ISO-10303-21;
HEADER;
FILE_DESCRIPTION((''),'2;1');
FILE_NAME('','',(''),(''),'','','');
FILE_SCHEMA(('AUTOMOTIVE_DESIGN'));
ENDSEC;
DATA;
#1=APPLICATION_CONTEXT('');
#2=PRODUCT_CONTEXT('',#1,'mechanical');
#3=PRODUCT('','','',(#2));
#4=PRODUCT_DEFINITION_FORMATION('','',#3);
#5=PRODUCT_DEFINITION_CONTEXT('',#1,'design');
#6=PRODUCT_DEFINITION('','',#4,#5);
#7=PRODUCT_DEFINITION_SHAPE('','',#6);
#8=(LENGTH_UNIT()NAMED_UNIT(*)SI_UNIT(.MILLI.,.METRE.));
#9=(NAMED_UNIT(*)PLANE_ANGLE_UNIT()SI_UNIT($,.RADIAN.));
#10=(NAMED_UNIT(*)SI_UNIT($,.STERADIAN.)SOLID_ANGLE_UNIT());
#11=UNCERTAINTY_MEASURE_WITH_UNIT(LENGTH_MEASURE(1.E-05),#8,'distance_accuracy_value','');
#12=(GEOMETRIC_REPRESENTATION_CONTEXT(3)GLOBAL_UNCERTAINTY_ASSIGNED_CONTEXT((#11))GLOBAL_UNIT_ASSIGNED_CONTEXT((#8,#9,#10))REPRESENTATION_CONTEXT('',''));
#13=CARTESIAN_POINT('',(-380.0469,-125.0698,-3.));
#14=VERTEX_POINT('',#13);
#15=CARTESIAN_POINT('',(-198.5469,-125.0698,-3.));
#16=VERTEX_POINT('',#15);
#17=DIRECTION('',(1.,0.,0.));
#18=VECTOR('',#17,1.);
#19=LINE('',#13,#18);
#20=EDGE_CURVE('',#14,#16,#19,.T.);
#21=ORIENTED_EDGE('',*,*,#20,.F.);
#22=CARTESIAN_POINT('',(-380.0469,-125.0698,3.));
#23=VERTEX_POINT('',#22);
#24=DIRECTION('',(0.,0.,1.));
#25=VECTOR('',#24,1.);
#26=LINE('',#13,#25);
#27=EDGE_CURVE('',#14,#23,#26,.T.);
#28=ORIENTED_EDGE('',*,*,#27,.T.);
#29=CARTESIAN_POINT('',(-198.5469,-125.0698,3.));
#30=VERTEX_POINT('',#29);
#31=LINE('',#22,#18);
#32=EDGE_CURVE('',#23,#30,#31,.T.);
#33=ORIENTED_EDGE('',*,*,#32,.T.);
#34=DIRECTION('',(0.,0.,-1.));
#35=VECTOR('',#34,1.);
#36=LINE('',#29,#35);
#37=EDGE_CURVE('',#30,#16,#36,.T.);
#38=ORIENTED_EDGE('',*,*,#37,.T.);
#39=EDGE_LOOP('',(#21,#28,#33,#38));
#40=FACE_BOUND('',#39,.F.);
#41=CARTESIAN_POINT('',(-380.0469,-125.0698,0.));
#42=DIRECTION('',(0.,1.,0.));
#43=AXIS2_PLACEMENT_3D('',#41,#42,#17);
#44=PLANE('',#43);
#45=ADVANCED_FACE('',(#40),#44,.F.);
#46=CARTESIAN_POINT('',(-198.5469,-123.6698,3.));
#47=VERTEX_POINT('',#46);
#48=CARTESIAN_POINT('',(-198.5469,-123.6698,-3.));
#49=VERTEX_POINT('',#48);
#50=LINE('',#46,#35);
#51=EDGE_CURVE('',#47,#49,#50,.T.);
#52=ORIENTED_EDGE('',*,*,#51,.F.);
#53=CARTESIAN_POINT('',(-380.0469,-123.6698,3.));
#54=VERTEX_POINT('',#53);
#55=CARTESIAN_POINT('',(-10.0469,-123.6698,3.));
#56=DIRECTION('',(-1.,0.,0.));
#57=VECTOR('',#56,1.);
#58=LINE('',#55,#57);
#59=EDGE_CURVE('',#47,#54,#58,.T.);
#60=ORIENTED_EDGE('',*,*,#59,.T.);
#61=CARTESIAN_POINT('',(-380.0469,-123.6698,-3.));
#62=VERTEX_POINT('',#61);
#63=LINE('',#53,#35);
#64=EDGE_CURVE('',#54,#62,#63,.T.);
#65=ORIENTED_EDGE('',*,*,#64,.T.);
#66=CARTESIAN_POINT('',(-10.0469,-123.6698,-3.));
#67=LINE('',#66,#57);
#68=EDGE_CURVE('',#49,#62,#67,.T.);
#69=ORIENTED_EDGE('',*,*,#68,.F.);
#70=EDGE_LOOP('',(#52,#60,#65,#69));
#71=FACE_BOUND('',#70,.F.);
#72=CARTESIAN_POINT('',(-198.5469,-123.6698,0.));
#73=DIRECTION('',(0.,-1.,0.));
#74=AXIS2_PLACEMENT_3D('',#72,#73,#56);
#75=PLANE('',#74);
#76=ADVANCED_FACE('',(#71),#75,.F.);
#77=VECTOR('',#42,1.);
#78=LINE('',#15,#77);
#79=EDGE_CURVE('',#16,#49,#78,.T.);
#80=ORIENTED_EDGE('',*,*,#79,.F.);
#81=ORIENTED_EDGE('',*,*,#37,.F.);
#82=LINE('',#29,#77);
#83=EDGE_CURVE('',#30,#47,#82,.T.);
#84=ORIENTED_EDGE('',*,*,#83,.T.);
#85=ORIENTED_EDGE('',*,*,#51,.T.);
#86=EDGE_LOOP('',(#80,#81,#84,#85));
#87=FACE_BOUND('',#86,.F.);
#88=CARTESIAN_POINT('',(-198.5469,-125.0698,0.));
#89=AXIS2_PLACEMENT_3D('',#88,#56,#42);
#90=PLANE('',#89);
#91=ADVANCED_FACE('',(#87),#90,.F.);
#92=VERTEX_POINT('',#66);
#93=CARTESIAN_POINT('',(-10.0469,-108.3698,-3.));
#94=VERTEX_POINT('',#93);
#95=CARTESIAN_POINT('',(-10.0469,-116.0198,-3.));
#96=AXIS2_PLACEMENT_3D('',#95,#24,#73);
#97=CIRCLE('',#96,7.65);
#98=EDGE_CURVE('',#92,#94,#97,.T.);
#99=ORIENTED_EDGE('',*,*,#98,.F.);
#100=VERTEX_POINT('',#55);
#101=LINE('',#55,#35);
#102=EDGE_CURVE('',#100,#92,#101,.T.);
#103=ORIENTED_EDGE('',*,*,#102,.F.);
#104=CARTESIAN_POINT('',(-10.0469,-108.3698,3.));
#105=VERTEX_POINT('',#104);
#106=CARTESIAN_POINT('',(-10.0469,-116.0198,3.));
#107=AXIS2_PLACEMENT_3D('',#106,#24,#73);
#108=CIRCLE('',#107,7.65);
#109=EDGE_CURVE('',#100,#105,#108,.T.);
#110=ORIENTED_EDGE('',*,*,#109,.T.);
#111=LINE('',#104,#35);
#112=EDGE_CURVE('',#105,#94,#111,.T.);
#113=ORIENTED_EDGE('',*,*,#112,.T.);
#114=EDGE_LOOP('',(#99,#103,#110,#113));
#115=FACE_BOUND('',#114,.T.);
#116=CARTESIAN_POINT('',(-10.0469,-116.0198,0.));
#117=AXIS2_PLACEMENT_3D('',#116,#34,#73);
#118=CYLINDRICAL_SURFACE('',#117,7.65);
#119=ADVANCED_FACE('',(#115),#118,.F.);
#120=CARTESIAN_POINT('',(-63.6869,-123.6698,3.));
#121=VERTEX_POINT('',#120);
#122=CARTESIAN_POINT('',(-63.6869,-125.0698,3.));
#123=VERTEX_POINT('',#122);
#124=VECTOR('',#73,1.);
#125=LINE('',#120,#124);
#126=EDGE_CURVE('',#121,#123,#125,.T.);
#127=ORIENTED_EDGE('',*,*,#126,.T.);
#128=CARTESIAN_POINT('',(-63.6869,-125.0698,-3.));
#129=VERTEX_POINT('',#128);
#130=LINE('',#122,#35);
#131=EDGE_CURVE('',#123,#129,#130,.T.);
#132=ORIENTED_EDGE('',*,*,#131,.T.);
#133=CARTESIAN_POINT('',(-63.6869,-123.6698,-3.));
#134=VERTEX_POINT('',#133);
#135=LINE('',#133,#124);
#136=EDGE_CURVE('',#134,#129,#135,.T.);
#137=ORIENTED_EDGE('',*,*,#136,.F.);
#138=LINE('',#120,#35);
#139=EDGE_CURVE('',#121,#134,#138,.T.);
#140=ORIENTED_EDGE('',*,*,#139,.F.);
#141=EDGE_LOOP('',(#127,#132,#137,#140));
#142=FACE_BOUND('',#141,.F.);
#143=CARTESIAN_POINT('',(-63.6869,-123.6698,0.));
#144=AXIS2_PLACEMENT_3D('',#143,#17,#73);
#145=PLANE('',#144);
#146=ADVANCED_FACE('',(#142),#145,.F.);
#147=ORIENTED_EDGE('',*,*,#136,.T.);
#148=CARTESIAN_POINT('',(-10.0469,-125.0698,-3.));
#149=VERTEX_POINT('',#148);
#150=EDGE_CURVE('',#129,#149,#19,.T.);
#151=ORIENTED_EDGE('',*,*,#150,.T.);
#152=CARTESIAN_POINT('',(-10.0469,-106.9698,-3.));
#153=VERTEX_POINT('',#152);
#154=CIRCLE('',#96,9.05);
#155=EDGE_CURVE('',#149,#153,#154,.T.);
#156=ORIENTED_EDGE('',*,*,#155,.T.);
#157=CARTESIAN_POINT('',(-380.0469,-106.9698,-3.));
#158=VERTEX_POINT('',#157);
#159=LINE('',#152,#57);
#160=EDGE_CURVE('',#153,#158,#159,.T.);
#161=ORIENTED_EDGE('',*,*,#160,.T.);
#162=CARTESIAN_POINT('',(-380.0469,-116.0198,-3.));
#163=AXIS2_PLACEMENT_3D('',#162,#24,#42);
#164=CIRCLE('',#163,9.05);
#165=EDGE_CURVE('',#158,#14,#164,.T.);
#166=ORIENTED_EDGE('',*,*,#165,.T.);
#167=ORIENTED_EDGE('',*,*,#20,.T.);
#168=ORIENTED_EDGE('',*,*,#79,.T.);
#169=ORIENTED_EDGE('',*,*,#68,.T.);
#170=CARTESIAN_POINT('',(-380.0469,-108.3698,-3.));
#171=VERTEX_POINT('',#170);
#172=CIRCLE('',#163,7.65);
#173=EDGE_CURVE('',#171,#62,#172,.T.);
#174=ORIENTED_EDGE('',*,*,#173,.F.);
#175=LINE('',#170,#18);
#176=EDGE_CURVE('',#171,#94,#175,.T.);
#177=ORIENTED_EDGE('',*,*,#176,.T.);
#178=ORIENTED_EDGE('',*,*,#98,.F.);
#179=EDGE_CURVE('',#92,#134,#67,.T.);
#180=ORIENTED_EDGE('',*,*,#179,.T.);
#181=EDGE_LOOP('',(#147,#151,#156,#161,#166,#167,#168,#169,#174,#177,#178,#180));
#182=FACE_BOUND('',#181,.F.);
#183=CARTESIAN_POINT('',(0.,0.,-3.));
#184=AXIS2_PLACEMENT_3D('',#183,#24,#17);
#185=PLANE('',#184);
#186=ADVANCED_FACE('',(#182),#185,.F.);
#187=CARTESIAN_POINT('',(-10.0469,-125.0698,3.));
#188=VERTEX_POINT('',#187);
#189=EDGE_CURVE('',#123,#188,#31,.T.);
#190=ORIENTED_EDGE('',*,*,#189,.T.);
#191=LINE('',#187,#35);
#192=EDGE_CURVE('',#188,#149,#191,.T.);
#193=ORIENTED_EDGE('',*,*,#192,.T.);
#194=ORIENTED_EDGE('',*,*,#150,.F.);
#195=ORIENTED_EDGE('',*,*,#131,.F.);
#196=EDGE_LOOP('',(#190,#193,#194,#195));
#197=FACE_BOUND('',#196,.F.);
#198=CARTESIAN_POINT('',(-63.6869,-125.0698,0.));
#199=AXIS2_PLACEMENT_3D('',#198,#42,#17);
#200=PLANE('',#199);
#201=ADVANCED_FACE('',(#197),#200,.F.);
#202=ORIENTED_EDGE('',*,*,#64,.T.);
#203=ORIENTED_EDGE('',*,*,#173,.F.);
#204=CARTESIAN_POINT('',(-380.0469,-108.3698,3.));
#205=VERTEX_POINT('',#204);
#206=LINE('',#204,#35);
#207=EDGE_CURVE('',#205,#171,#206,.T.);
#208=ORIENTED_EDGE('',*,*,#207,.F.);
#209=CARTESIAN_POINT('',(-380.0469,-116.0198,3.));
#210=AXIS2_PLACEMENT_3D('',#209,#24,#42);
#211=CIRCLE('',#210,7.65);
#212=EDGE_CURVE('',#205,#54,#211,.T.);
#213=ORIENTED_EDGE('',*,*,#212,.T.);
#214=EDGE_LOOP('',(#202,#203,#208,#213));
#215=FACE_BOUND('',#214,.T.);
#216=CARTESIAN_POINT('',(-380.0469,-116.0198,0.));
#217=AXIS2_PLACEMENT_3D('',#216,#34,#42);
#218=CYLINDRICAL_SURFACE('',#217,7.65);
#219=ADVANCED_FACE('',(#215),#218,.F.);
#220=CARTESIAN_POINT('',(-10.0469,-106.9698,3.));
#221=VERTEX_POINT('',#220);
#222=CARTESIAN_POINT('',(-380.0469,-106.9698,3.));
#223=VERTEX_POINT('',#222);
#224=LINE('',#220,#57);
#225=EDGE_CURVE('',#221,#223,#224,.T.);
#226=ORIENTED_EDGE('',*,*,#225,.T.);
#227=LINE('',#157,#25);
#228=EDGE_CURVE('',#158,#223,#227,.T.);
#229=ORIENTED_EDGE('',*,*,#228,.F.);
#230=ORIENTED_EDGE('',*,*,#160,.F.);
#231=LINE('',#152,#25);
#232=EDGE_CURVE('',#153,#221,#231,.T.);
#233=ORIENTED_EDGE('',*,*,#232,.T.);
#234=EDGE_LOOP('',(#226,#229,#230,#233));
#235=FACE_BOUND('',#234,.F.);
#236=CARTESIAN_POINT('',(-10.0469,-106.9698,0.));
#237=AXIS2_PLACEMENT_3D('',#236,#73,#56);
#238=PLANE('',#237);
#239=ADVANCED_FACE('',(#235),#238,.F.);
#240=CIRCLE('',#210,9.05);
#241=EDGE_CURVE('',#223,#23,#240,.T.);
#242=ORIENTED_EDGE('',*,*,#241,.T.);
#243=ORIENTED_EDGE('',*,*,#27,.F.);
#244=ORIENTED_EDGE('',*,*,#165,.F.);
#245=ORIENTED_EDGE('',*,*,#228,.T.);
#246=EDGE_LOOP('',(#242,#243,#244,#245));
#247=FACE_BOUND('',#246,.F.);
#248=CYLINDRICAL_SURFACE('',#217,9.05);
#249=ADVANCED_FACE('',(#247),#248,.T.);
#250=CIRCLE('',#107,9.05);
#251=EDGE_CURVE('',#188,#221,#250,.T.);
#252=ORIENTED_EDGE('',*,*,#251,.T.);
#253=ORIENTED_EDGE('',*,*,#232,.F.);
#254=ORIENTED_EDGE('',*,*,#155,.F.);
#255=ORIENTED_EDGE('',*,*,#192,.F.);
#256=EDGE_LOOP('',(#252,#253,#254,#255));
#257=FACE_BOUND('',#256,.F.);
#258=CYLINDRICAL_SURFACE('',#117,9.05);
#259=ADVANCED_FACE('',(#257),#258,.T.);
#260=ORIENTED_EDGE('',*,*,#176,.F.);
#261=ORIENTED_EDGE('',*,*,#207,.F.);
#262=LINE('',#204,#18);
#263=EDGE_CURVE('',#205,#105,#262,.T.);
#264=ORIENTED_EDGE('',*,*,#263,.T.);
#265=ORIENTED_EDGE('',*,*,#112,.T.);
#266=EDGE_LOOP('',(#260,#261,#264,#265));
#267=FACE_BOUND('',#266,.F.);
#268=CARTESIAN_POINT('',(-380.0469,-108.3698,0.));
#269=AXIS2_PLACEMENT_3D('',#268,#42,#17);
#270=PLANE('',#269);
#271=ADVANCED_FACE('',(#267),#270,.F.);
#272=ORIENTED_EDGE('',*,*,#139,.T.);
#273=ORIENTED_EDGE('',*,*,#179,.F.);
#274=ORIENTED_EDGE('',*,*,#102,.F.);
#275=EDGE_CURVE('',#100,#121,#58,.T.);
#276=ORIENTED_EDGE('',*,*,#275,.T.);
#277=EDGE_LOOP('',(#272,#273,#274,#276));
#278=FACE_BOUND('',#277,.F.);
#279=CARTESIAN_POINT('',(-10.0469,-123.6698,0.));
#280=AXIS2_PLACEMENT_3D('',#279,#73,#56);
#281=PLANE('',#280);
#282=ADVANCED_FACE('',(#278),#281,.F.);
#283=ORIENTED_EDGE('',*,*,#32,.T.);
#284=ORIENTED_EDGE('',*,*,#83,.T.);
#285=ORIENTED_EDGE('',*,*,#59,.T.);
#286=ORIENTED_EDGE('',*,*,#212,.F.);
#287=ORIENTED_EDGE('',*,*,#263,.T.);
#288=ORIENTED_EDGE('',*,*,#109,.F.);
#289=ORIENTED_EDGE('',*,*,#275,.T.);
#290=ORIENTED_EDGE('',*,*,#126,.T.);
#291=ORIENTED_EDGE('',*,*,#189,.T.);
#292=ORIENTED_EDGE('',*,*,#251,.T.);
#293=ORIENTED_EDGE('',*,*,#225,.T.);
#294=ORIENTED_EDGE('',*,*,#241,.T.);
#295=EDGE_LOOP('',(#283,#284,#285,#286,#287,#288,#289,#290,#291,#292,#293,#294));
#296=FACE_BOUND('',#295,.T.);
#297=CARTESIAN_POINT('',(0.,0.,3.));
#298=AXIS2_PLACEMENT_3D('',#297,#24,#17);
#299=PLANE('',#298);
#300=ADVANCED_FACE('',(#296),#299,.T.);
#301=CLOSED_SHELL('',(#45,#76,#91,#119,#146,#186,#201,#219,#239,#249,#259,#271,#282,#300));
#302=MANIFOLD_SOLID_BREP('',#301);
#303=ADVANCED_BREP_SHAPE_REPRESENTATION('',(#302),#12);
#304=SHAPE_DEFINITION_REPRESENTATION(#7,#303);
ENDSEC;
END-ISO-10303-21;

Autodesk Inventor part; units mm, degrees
ref_plane "YZ Plane" through (0, 0, 0) normal (1, 0, 0) x (0, 1, 0)
ref_plane "XZ Plane" through (0, 0, 0) normal (0, 1, 0) x (-1, 0, 0)
ref_plane "XY Plane" through (0, 0, 0) normal (0, 0, 1) x (1, 0, 0)
sketch "Skizze1" plane through (0, 0, 0) normal (0, 0, 1) x (1, 0, 0)
  circle A0 centre (-380.0469, -116.0198) radius 3 construction
  circle A1 centre (-10.0469, -116.0198) radius 3.1 construction
  circle A2 centre (-380.0469, -116.0198) radius 9.05 construction
  circle A3 centre (-10.0469, -116.0198) radius 9.05 construction
  line L0 (-10.0469, -106.9698) -> (-380.0469, -106.9698)
  line L1 (-380.0469, -116.0198) -> (-380.0469, -106.9698) construction
  arc A4 (-380.0469, -106.9698) -> (-380.0469, -125.0698) centre (-380.0469, -116.0198) ccw
  line L2 (-380.0469, -125.0698) -> (-10.0469, -125.0698)
  arc A5 (-10.0469, -125.0698) -> (-10.0469, -106.9698) centre (-10.0469, -116.0198) ccw
  circle A6 centre (-380.0469, -116.0198) radius 7.65 construction
  circle A7 centre (-10.0469, -116.0198) radius 7.65 construction
  line L3 (-10.0469, -123.6698) -> (-380.0469, -123.6698)
  arc A8 (-380.0469, -108.3698) -> (-380.0469, -123.6698) centre (-380.0469, -116.0198) ccw
  line L4 (-380.0469, -108.3698) -> (-10.0469, -108.3698)
  arc A9 (-10.0469, -123.6698) -> (-10.0469, -108.3698) centre (-10.0469, -116.0198) ccw
  line L5 (-198.5469, -125.0698) -> (-198.5469, -123.6698)
  line L6 (-63.6869, -123.6698) -> (-63.6869, -125.0698)
  line L7 (-10.0469, -124.2698) -> (-380.0469, -124.2698) construction
  arc A10 (-380.0469, -107.7698) -> (-380.0469, -124.2698) centre (-380.0469, -116.0198) ccw construction
  line L8 (-380.0469, -107.7698) -> (-10.0469, -107.7698) construction
  arc A11 (-10.0469, -124.2698) -> (-10.0469, -107.7698) centre (-10.0469, -116.0198) ccw construction
  point P0 (0, 0)
  dimension "d0" = 370
  dimension "d3" = 370
  dimension "d8" = 53.64
  dimension "d9" = 181.5
  dimension "d11" = 181.5
  dimension "d12" = 370
  dimension "d13" = 53.64
  dimension "d14" = 8.25
  dimension "d15" = 8.25
  dimension "d16" = 15.3
  dimension "d17" = 15.3
  dimension "d18" = 0.8
  dimension "d19" = 1.4
  dimension "d20" = 18.1
extrude "Extrusion1" add sketch "Skizze1" along normal mid plane 6 contours A5 L2 L6 L3 A9 L4 A8 L5 A4 L0
equation "\"d8\" = Riemen_L_UpBottom"
equation "\"d9\" = Riemen_L_BottomUp"
equation "\"d17\" = d16"
equation "\"d2\" = d1"
equation "\"Riemen_L_UpBottom\" = 53.64"
equation "\"Bogenlaenge\" = 27.70885"
equation "\"Riemenlaenge\" = d12 + 2 * Bogenlaenge + d13 + d11"
equation "\"Riemen_L_BottomUp\" = 181.5"
equation "\"d1\" = 21.14"
properties part number "Riemen_T5" material "Gummi"
